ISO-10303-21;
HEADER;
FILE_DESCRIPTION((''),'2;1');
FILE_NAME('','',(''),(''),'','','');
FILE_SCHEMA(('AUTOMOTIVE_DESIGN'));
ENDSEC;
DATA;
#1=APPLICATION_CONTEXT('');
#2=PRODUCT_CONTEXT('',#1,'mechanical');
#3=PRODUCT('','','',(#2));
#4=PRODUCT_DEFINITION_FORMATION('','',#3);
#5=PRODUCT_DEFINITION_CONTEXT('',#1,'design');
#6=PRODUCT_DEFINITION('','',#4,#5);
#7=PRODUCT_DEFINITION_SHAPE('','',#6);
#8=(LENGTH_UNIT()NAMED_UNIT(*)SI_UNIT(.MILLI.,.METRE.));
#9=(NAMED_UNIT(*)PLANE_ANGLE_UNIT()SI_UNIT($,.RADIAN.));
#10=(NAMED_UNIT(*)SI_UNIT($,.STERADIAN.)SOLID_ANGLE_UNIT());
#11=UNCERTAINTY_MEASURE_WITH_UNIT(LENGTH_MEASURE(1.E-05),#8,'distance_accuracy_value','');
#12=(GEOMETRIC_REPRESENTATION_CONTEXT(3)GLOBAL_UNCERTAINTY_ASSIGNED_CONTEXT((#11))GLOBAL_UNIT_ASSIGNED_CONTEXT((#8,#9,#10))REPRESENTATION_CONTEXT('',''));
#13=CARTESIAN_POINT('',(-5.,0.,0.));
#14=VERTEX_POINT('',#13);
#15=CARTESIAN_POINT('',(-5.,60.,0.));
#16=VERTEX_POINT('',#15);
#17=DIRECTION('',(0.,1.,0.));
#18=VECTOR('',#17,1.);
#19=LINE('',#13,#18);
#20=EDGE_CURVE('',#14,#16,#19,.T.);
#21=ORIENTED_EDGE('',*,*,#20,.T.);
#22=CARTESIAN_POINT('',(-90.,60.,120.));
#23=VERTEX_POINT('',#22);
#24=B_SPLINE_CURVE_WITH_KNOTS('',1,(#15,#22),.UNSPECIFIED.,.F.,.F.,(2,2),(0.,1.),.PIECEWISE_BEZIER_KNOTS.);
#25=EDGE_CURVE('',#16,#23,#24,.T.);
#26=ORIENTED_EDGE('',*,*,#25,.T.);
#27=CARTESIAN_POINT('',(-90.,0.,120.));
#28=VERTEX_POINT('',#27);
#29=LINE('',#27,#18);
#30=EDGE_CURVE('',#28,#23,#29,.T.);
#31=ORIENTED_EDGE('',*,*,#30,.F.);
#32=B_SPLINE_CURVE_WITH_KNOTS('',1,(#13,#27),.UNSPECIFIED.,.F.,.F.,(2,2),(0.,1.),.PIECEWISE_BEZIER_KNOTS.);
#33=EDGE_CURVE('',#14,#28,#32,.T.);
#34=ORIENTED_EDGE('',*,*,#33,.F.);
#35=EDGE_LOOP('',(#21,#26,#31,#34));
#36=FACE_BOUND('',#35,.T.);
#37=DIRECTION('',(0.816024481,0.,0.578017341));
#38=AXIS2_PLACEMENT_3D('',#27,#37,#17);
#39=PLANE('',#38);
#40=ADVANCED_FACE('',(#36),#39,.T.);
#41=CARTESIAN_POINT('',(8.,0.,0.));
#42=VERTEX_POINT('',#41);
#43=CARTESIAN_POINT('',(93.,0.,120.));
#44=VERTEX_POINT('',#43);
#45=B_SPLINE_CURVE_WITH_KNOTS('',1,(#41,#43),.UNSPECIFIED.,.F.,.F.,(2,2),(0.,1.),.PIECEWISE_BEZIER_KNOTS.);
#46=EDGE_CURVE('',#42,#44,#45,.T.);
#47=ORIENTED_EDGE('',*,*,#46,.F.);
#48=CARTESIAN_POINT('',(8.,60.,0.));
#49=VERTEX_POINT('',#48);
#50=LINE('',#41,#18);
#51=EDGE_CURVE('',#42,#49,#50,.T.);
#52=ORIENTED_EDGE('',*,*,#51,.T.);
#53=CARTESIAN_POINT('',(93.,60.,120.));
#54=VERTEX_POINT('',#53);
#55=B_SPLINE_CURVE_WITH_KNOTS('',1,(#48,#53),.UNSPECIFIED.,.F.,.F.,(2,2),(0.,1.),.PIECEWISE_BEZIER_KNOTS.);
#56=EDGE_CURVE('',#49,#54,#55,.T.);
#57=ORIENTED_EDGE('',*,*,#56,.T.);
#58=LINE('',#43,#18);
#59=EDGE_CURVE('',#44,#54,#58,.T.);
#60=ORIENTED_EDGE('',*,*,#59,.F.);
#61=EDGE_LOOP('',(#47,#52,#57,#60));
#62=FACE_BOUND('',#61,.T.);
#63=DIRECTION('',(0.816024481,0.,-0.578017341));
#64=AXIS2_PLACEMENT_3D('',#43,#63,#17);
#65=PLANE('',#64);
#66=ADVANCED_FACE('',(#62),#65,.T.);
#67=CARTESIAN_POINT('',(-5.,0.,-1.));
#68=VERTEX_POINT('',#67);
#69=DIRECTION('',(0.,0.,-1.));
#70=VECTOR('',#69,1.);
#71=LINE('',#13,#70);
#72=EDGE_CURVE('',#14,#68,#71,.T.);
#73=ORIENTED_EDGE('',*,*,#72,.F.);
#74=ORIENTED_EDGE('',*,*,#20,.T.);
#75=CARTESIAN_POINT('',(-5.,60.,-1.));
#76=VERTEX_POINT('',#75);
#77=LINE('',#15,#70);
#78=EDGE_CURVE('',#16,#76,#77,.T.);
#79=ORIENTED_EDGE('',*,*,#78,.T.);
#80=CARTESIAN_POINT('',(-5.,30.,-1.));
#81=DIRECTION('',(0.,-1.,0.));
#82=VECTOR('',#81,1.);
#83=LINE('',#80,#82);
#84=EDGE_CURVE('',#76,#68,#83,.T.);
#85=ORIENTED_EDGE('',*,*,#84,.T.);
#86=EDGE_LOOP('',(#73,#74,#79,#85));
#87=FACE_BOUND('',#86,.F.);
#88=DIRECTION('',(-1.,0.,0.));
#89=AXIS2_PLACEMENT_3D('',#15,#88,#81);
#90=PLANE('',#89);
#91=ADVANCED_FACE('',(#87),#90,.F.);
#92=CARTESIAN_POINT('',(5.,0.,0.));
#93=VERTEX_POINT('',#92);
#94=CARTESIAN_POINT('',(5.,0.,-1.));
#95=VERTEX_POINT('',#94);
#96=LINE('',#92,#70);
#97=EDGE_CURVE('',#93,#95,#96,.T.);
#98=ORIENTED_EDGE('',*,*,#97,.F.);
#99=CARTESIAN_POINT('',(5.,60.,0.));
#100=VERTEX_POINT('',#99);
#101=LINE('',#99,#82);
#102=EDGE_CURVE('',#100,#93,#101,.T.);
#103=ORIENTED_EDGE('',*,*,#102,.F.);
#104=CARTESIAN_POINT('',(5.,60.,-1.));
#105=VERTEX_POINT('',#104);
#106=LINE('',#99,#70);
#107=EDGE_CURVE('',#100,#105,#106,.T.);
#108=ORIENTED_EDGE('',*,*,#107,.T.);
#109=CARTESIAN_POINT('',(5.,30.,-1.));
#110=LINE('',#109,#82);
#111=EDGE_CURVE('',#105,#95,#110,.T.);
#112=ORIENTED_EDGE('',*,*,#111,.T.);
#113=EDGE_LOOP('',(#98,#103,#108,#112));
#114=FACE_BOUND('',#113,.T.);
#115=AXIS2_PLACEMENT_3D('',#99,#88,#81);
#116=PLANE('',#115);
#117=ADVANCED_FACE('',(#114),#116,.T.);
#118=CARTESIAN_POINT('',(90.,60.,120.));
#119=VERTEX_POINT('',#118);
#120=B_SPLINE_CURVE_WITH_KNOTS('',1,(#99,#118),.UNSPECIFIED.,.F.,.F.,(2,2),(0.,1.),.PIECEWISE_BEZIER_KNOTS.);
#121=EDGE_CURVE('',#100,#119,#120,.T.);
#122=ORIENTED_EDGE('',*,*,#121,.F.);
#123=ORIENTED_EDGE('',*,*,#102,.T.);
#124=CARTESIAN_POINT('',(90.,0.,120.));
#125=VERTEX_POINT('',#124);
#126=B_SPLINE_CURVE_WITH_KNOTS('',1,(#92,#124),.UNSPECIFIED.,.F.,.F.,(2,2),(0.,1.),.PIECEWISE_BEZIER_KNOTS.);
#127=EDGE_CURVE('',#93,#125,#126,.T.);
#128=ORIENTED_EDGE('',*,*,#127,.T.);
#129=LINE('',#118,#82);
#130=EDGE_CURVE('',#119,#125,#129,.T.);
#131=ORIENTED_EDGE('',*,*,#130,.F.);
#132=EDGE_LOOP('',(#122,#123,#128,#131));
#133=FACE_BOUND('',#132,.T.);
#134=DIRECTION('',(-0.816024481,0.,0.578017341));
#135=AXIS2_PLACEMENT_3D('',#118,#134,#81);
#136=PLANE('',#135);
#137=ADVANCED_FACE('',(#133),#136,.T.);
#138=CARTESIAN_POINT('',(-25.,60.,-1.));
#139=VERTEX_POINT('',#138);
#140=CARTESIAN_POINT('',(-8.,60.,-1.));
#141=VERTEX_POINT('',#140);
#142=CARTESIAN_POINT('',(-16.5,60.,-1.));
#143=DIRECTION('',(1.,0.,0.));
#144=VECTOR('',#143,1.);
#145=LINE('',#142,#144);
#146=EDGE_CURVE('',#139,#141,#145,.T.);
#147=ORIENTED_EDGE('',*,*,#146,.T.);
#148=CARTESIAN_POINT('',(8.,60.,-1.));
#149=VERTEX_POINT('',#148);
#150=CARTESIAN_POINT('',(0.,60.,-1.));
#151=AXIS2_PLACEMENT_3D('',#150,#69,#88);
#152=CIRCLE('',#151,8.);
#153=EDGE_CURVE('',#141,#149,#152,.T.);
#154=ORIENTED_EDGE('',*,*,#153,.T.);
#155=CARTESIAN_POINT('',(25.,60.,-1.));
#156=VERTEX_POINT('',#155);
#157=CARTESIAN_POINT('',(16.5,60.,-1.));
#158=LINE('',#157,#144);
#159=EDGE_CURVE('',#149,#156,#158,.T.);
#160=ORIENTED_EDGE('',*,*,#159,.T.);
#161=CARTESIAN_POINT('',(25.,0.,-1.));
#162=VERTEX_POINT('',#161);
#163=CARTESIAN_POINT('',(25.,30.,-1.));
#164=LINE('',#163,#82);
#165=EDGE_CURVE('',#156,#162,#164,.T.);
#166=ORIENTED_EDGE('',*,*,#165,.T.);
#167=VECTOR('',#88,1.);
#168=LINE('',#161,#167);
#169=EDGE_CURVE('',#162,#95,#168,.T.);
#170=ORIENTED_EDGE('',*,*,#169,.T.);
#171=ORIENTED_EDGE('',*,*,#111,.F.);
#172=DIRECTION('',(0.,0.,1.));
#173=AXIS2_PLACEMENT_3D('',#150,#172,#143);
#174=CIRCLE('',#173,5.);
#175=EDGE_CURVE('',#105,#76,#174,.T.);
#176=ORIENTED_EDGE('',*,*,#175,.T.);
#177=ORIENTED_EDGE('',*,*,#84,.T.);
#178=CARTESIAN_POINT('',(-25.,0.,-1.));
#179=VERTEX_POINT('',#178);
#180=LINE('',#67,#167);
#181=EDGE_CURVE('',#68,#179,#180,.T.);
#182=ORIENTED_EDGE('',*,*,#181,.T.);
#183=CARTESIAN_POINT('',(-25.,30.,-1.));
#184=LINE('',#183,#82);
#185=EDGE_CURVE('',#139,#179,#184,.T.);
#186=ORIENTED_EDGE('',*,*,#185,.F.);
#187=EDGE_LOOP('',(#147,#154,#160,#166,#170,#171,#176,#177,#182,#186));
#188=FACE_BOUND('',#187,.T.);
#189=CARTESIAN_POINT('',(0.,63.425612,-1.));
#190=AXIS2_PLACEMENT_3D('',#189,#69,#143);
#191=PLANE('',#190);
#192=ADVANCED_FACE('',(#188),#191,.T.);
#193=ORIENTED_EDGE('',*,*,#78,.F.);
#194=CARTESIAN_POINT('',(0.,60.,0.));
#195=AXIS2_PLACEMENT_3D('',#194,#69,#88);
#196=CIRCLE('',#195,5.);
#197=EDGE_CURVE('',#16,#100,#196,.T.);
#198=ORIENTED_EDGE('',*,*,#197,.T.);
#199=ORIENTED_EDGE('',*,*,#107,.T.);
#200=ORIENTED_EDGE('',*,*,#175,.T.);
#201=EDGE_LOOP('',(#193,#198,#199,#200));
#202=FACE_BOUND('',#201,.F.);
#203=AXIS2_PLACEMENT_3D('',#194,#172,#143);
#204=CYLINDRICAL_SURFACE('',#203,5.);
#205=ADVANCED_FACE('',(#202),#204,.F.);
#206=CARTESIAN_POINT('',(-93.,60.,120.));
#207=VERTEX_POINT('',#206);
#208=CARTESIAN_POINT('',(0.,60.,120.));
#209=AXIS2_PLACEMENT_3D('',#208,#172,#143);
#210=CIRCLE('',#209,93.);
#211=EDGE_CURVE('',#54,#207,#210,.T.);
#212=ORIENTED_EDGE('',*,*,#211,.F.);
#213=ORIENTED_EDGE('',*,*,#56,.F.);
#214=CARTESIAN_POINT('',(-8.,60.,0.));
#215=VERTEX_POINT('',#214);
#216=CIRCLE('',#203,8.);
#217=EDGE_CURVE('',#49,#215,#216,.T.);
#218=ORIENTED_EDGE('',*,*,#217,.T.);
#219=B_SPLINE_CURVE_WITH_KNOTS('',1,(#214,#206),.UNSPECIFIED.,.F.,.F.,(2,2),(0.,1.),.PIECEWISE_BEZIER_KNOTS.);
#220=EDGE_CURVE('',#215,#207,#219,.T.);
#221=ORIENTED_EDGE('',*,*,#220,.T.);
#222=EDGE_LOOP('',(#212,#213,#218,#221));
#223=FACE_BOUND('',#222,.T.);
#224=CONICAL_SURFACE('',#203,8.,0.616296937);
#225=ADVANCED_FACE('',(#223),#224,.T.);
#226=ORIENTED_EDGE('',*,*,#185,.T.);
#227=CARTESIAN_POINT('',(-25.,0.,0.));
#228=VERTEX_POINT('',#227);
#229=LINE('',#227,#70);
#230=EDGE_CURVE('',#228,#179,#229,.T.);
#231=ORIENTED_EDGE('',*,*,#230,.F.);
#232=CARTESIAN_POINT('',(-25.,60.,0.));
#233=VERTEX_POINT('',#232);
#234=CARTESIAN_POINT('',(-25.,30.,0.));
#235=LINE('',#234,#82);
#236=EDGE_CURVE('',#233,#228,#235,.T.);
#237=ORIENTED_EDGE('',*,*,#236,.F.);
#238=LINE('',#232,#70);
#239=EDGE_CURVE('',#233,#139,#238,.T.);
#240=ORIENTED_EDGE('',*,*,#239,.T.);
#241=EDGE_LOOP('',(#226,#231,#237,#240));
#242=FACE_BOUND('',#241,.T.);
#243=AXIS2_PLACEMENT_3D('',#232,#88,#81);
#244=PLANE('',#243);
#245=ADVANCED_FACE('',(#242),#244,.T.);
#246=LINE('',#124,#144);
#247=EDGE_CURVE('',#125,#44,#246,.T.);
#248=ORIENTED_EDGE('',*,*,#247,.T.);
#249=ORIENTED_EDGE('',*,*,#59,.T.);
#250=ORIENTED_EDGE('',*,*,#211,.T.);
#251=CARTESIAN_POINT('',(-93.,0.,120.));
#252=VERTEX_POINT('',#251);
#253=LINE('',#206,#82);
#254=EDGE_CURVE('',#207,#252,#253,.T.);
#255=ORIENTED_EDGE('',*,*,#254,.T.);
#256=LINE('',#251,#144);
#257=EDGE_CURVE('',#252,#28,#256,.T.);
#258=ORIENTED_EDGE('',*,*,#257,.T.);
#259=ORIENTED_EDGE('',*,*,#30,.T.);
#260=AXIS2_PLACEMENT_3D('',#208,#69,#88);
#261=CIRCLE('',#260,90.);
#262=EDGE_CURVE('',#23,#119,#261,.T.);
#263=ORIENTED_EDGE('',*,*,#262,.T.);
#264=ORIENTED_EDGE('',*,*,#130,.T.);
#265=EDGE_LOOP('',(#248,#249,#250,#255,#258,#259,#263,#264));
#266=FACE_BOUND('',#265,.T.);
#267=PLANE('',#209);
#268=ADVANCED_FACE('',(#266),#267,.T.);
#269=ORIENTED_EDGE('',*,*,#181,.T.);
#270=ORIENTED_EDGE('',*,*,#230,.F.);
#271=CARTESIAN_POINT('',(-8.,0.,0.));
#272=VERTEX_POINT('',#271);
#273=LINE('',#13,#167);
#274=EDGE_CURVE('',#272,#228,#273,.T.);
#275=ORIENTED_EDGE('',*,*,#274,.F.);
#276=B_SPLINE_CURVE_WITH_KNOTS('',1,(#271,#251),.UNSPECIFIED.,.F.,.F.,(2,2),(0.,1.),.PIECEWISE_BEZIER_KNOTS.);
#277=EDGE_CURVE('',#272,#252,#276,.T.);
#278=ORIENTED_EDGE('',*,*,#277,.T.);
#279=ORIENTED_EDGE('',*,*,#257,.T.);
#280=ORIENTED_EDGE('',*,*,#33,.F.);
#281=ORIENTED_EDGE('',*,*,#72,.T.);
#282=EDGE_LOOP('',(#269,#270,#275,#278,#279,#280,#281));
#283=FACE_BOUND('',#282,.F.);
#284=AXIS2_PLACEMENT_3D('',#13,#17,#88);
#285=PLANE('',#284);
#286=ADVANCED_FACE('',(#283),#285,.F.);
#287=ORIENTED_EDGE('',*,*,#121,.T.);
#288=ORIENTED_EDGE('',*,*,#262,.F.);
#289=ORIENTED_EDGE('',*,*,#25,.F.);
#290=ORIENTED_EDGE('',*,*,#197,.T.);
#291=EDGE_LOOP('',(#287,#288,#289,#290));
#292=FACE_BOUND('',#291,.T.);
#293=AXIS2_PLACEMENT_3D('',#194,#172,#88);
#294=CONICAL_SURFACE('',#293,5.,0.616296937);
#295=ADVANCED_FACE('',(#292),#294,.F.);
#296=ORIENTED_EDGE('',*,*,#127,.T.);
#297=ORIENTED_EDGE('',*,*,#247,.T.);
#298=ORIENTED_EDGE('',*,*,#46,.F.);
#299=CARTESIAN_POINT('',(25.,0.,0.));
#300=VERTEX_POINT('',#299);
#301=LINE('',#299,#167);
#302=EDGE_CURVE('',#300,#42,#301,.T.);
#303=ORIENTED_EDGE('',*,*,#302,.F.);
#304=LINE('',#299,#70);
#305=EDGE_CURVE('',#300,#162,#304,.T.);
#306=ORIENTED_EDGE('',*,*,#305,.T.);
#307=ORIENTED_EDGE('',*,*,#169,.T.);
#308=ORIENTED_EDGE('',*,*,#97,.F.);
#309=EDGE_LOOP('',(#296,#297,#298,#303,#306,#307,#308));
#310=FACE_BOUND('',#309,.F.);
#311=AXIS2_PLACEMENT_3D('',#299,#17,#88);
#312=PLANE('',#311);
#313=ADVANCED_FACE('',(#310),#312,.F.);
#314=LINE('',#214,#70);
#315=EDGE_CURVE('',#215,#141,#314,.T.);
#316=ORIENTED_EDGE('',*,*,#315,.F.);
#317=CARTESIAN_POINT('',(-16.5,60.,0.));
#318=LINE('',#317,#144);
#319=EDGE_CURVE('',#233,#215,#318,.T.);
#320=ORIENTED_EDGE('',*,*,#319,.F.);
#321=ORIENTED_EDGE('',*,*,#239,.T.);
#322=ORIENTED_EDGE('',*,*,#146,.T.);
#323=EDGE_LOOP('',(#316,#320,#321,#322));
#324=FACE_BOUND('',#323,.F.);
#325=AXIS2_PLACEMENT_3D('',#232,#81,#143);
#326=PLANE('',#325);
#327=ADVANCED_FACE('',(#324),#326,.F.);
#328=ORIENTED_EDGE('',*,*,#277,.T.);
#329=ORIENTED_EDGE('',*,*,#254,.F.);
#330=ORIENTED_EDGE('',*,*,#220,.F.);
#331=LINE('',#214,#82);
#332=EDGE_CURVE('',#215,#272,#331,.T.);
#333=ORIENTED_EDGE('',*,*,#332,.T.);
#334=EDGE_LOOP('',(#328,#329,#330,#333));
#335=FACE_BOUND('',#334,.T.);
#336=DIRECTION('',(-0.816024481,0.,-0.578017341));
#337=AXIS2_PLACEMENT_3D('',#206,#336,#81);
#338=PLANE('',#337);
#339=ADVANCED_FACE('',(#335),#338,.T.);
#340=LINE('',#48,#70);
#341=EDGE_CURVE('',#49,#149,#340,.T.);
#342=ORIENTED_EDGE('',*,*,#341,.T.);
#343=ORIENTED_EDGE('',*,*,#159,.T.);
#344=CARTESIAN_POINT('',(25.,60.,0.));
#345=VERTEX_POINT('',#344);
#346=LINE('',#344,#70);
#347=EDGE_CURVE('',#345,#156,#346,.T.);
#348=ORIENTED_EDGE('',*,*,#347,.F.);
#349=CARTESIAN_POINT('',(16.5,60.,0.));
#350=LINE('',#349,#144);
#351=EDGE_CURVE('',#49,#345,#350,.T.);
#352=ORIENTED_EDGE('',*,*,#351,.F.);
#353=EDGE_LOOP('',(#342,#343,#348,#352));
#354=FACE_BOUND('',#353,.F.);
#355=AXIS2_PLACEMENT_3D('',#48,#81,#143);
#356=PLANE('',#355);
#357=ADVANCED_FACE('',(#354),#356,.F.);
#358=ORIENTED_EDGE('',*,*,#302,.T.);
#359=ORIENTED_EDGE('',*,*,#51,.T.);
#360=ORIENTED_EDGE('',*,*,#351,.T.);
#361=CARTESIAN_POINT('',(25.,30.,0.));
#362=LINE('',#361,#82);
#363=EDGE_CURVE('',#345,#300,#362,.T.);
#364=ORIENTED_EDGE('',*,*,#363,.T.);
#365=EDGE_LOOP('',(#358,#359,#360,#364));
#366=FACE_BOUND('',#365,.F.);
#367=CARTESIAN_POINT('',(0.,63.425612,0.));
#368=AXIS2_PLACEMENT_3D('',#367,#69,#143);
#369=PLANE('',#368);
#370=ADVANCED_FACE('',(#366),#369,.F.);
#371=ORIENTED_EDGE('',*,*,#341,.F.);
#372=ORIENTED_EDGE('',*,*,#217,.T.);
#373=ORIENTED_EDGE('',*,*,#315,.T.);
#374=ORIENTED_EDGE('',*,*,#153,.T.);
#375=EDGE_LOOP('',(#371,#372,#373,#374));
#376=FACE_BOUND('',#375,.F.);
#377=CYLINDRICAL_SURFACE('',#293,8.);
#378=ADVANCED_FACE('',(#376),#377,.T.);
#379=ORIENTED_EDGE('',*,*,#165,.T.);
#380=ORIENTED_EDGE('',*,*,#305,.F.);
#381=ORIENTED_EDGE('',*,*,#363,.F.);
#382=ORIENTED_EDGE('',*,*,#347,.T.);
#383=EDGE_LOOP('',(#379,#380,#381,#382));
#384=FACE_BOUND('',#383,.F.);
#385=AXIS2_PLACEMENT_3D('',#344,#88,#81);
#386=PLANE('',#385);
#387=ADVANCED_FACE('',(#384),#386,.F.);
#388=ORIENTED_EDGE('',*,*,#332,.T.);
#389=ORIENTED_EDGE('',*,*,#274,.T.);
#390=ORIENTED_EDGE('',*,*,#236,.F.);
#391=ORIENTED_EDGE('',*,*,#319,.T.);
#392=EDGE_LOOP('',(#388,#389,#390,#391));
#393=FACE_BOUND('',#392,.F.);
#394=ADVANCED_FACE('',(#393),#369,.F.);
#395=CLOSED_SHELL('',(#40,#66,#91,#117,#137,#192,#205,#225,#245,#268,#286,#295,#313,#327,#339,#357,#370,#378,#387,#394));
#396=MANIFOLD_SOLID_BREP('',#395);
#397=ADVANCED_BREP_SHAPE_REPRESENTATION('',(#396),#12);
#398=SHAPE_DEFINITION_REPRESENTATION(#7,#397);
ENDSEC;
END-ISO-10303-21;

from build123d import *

# Parameters (mm, degrees)
F4_W     = 17
F4_H     = 60
F4_W_2   = 3
F5_DEPTH = 1


with BuildPart() as f3:
    # F0 (on Top) → F3 section 0
    with BuildSketch(Plane.XY):
        with BuildLine():
            Line((5, 60), (5, 0))
            Line((5, 0), (8, 0))
            Line((8, 0), (8, 60))
            ThreePointArc((8, 60), (0, 68), (-8, 60))
            Line((-8, 60), (-8, 0))
            Line((-8, 0), (-5, 0))
            Line((-5, 0), (-5, 60))
            ThreePointArc((-5, 60), (0, 65), (5, 60))
        make_face()
    # F2 (on offset) → F3 section 1
    with BuildSketch(Plane.XY.offset(120)):
        with BuildLine():
            Line((-90, 0), (-90, 60))
            ThreePointArc((-90, 60), (0, 150), (90, 60))
            Line((90, 60), (90, 0))
            Line((90, 0), (93, 0))
            Line((93, 0), (93, 60))
            ThreePointArc((93, 60), (0, 153), (-93, 60))
            Line((-93, 60), (-93, 0))
            Line((-93, 0), (-90, 0))
        make_face()
    loft()

    # F4 (on face) → F5 (join)
    with BuildSketch(Plane(origin=(0, 0, 0), x_dir=(1, 0, 0), z_dir=(0, 0, -1))):
        with BuildLine():
            ThreePointArc((5, -60), (0, -65), (-5, -60))
            Line((-5, -60), (-8, -60))
            ThreePointArc((-8, -60), (0, -68), (8, -60))
            Line((8, -60), (5, -60))
        make_face()
        with Locations((-16.5, -30)):
            Rectangle(F4_W, F4_H)
        with Locations((16.5, -30)):
            Rectangle(F4_W, F4_H)
        with Locations((6.5, -30)):
            Rectangle(F4_W_2, F4_H)
        with Locations((-6.5, -30)):
            Rectangle(F4_W_2, F4_H)
    extrude(amount=F5_DEPTH)


solid = f3.part
